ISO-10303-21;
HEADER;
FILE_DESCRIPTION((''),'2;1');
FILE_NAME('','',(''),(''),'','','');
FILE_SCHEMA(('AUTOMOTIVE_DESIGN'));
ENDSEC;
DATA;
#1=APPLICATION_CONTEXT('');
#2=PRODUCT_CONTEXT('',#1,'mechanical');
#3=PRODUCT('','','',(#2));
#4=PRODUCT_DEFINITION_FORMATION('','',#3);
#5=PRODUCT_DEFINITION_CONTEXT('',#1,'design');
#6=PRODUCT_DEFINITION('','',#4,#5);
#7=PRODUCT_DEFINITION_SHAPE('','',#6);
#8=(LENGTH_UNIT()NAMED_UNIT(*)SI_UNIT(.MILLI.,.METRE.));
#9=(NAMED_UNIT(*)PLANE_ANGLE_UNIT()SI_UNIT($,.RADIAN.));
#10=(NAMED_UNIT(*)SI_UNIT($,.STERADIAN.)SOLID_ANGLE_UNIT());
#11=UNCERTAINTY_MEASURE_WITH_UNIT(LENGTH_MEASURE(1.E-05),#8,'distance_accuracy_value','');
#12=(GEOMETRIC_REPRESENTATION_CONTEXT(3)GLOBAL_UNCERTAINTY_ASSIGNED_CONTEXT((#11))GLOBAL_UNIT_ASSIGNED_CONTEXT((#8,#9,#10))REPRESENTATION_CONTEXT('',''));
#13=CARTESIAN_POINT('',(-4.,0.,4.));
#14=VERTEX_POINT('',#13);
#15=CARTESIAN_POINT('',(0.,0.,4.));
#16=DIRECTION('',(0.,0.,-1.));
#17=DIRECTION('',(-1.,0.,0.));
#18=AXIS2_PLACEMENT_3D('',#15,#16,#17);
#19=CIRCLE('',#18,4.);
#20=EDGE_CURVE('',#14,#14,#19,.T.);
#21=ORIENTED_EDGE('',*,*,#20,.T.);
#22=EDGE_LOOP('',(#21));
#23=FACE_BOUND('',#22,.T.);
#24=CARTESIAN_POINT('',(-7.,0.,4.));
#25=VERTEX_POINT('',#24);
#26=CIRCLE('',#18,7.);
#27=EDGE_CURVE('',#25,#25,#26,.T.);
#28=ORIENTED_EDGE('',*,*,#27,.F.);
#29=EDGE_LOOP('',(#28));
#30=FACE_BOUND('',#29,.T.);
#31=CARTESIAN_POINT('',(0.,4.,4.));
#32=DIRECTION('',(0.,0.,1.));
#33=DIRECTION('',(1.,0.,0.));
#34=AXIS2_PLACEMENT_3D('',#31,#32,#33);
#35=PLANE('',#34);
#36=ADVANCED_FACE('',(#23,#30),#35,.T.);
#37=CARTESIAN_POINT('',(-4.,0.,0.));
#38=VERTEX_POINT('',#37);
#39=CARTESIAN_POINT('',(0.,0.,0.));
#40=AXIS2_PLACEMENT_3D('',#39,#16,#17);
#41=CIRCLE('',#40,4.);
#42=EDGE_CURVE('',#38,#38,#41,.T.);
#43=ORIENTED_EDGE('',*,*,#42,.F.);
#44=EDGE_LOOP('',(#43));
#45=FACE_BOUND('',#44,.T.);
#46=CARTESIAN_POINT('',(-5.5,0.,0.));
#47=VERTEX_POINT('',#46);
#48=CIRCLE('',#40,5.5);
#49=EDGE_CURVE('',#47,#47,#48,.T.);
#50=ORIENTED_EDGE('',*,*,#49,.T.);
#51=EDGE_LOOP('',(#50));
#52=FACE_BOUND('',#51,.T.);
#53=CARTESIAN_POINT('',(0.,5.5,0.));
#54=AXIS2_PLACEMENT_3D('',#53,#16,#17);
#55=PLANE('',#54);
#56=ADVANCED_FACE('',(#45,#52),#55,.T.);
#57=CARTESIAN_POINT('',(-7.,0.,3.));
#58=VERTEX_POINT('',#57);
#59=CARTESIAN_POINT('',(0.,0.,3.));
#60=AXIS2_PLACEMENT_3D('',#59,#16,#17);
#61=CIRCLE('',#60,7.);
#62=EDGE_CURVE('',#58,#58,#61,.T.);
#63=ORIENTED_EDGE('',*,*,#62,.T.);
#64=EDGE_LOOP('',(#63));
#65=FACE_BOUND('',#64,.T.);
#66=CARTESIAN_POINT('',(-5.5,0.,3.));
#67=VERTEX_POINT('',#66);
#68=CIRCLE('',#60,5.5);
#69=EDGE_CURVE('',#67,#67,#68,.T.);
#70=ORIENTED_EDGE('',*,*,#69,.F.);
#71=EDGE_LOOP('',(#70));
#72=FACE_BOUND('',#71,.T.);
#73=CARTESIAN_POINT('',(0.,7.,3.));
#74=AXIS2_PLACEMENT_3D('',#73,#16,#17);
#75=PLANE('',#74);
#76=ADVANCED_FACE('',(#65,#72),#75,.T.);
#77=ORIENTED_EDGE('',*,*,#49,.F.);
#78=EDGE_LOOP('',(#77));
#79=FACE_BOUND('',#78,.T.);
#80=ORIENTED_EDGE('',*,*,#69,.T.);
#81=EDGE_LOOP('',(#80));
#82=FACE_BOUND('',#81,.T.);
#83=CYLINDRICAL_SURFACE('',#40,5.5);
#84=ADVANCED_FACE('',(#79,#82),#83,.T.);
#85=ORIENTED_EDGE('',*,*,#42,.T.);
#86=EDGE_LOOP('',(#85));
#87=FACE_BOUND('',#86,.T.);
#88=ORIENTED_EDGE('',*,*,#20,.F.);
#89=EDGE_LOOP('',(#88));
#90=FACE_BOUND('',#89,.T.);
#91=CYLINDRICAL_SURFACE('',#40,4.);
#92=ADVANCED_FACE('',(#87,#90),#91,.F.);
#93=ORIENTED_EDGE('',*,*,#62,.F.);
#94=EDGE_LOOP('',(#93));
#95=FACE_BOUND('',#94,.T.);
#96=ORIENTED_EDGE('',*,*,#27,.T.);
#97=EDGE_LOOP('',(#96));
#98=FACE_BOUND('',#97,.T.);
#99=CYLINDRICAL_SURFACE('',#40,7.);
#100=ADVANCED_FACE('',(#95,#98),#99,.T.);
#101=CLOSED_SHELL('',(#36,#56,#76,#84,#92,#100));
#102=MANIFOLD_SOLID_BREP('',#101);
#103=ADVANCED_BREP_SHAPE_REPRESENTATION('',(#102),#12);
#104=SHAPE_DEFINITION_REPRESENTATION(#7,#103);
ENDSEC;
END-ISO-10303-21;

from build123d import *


with BuildPart() as part:
    # Sketch1 → Revolve1 (revolve)
    with BuildSketch(Plane(origin=(0, 0, 0), x_dir=(0, 0, -1), z_dir=(1, 0, 0)), mode=Mode.PRIVATE) as revolve1_sk:
        Polygon((0, 4), (-4, 4), (-4, 7), (-3, 7), (-3, 5.5), (0, 5.5), align=None)
    revolve(revolve1_sk.sketch.rotate(Axis((0, 0, 0), (0, 0, 1)), 90), axis=Axis((0, 0, 0), (0, 0, 1)))


solid = part.part
